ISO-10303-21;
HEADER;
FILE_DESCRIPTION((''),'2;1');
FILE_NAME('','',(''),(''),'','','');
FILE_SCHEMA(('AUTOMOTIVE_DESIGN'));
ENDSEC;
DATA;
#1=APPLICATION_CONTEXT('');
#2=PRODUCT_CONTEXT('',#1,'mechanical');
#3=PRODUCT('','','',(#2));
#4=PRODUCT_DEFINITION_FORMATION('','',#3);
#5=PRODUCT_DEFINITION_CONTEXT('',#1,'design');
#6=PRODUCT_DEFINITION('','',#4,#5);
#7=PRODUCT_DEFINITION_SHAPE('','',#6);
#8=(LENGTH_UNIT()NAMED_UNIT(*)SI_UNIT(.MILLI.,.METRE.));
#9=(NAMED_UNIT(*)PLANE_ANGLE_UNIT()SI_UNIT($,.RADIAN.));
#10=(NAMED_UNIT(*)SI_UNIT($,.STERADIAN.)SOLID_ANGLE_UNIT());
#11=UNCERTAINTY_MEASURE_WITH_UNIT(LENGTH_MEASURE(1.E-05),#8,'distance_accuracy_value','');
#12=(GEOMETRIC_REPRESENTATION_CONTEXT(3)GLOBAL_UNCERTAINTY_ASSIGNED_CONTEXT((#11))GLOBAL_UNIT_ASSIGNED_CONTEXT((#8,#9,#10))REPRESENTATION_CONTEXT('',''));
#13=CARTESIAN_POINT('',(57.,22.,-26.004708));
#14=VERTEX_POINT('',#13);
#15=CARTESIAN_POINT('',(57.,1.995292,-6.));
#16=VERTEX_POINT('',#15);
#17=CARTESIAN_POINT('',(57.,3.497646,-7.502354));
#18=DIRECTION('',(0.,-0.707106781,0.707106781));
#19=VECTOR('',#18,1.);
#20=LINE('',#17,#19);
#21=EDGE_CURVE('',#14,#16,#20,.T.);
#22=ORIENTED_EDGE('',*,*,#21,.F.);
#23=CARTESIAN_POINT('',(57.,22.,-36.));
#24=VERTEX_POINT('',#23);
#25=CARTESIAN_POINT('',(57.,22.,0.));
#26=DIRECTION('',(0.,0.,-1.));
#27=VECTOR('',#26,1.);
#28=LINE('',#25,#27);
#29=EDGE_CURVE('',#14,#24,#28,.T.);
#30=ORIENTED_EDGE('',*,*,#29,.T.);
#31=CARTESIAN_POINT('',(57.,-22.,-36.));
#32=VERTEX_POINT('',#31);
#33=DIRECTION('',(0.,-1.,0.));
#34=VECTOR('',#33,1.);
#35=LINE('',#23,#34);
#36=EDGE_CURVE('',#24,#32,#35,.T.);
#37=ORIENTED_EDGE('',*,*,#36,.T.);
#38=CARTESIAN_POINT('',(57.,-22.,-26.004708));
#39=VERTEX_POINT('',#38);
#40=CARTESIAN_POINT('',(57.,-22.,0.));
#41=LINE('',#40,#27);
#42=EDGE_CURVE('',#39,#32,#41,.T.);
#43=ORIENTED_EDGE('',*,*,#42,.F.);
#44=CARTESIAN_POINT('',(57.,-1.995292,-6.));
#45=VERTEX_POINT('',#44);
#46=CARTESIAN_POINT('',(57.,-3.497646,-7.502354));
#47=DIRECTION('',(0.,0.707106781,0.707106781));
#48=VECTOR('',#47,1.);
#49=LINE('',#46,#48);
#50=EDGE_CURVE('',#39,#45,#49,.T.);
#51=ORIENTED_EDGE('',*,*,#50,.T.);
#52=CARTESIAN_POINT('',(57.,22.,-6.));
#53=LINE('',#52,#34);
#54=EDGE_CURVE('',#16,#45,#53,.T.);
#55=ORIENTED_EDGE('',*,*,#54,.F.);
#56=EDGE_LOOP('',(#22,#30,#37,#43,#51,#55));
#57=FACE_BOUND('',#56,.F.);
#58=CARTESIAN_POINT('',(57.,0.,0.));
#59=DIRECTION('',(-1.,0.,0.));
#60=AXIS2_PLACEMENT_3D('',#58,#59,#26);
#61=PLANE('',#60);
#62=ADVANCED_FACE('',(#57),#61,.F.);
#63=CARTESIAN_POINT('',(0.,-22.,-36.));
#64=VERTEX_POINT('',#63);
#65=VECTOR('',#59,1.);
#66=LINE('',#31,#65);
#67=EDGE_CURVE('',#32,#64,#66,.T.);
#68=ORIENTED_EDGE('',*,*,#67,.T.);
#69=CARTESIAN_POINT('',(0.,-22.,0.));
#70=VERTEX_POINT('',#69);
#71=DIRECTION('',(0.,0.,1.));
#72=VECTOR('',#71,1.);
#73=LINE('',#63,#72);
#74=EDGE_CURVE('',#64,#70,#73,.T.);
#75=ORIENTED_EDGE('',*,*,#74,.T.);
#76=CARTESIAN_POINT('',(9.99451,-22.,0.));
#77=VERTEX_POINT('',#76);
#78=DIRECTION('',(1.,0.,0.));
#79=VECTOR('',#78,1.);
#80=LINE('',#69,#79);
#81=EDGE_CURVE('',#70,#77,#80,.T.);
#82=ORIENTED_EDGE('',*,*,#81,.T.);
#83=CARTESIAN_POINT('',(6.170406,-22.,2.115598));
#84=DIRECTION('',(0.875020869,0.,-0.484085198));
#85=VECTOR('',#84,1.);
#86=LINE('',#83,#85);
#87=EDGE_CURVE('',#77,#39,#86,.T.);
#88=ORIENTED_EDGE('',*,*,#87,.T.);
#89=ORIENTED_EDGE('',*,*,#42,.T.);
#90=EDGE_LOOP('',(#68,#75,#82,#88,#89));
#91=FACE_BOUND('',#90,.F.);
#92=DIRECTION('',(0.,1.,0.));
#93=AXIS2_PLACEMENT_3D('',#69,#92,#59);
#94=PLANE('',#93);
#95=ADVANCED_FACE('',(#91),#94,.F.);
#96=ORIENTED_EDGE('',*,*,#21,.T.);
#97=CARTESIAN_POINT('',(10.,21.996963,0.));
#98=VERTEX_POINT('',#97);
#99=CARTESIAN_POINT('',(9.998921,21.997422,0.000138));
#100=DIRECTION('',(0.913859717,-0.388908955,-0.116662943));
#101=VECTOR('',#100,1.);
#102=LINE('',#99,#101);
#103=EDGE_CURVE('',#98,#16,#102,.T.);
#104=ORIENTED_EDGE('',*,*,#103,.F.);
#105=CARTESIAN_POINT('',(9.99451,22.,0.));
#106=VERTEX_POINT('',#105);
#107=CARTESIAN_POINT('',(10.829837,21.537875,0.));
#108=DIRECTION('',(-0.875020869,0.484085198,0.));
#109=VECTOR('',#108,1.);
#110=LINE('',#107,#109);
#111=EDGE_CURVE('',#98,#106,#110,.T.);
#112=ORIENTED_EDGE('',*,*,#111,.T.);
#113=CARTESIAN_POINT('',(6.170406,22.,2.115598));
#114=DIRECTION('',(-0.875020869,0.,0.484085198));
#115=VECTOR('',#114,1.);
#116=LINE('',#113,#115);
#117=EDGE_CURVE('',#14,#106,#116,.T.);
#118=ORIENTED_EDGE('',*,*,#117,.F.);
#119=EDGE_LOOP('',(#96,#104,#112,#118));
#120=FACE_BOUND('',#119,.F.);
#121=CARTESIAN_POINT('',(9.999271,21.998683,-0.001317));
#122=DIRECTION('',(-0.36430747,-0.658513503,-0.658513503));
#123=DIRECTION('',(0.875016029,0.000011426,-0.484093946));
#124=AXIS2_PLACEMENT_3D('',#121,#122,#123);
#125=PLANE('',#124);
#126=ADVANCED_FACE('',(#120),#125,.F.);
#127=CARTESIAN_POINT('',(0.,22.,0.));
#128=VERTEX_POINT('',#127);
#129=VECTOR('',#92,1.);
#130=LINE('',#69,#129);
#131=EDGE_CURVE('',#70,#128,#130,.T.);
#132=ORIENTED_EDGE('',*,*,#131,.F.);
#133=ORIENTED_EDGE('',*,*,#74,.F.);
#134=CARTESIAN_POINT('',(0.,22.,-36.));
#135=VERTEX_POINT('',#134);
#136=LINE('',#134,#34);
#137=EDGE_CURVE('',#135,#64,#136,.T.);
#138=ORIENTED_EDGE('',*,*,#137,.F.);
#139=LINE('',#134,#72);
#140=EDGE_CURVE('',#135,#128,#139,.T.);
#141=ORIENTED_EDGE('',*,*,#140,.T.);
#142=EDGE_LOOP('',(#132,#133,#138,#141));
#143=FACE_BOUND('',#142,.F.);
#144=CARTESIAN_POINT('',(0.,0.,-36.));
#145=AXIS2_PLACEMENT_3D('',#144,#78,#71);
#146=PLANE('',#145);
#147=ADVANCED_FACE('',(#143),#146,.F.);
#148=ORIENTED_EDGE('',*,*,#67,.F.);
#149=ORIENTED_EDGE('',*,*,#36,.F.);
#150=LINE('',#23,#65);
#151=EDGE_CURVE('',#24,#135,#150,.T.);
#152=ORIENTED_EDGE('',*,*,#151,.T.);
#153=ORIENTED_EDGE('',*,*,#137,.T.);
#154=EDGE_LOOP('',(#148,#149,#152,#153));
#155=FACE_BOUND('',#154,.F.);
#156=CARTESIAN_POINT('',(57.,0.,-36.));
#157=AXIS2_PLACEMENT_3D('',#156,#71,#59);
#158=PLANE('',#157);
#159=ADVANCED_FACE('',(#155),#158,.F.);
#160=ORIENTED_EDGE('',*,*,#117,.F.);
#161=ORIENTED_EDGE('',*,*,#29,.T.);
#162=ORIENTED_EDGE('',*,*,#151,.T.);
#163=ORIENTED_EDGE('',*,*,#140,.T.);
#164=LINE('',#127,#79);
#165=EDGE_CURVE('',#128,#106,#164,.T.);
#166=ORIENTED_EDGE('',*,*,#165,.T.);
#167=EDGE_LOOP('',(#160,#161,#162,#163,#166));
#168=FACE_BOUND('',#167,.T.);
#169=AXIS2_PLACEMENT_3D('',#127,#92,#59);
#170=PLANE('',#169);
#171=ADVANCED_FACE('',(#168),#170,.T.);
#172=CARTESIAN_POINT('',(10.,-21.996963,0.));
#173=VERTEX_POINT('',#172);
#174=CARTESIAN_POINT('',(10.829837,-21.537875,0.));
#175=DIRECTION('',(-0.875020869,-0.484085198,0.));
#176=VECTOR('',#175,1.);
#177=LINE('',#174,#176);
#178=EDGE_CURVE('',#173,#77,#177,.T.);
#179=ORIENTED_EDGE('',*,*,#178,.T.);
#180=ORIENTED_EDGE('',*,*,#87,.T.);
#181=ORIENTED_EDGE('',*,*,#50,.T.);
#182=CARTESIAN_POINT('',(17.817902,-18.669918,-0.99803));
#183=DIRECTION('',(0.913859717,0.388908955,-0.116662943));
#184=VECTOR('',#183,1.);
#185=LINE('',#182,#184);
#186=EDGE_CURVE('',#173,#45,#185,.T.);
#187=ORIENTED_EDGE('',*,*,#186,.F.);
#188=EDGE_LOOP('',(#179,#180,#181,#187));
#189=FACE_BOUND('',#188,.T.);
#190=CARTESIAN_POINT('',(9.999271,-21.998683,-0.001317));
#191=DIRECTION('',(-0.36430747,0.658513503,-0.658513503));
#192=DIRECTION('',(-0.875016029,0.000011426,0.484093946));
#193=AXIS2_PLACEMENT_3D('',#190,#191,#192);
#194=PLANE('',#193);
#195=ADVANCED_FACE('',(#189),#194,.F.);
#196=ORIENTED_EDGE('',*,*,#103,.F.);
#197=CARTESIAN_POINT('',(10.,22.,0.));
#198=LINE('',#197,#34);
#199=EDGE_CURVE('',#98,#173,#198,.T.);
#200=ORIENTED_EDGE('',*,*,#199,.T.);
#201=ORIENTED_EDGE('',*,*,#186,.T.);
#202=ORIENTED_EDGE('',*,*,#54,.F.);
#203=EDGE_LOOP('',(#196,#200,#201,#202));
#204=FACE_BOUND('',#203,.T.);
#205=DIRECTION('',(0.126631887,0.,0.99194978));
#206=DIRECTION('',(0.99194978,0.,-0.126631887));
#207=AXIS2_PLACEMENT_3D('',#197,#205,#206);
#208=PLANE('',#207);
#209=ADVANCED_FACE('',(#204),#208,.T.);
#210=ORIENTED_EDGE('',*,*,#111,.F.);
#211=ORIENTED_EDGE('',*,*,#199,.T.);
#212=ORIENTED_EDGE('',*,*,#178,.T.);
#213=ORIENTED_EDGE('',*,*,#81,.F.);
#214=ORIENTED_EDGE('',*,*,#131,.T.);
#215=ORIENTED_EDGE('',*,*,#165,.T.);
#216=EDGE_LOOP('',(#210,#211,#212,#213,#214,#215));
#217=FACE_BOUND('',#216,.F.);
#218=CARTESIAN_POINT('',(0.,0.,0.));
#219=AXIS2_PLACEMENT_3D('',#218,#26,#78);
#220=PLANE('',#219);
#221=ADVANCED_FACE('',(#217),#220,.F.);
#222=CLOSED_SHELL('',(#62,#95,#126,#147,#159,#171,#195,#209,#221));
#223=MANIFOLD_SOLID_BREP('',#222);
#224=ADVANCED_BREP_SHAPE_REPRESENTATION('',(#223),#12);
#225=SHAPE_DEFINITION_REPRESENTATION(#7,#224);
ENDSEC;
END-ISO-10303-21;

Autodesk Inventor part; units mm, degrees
ref_plane "YZ Plane" through (0, 0, 0) normal (1, 0, 0) x (0, 1, 0)
ref_plane "XZ Plane" through (0, 0, 0) normal (0, 1, 0) x (-1, 0, 0)
sketch "草圖1" plane through (0, 0, 0) normal (0, 1, 0) x (-1, 0, 0)
  line L0 (0, 0) -> (-57, 0)
  line L1 (-57, 0) -> (-57, -36)
  line L2 (-57, -36) -> (0, -36)
  line L3 (0, -36) -> (0, 0)
  dimension "d0" = 57
  dimension "d1" = 36
extrude "擠出1" add sketch "草圖1" along normal mid plane 44
sketch "草圖2" plane through (0, 22, 0) normal (0, 1, 0) x (1, 0, 0)
  line L0 (0, 0) -> (57, 0) projected
  line L1 (10, 0) -> (57, 6)
  line L2 (57, 0) -> (57, 36) projected
  dimension "d4" = 10
  dimension "d5" = 30
extrude "擠出2" cut sketch "草圖2" against normal blind 60
sketch "草圖3" plane through (57, -22, -36) normal (1, 0, 0) x (0, 0, -1)
  line L0 (-30, 24) -> (-10, 44)
  line L1 (0, 44) -> (-36, 44) projected
  line L2 (-30, 44) -> (-30, 0) projected
  point P0 (-36, 22)
  point P1 (-30, 2)
  dimension "d8" = 20
  dimension "d9" = 20
ref_plane "工作平面1" through (10, 22, 0) normal (-0.3643, -0.6585, -0.6585) x (0.875, 0, -0.4841)
sketch "草圖4" plane through (10, 22, 0) normal (-0.3643, -0.6585, -0.6585) x (0.875, 0, -0.4841)
  line L0 (-15.1543, -12.3218) -> (93.717, -12.3218)
  line L1 (93.717, -12.3218) -> (93.717, 28.8166)
  line L2 (93.717, 28.8166) -> (-15.1543, 28.8166)
  line L3 (-15.1543, 28.8166) -> (-15.1543, -12.3218)
  point P0 (-8.7503, 13.3688)
extrude "擠出3" cut sketch "草圖4" against normal blind 40
mirror "鏡射1" about plane through (0, 0, 0) normal (0, 1, 0) of "擠出3"
properties part number "47"
